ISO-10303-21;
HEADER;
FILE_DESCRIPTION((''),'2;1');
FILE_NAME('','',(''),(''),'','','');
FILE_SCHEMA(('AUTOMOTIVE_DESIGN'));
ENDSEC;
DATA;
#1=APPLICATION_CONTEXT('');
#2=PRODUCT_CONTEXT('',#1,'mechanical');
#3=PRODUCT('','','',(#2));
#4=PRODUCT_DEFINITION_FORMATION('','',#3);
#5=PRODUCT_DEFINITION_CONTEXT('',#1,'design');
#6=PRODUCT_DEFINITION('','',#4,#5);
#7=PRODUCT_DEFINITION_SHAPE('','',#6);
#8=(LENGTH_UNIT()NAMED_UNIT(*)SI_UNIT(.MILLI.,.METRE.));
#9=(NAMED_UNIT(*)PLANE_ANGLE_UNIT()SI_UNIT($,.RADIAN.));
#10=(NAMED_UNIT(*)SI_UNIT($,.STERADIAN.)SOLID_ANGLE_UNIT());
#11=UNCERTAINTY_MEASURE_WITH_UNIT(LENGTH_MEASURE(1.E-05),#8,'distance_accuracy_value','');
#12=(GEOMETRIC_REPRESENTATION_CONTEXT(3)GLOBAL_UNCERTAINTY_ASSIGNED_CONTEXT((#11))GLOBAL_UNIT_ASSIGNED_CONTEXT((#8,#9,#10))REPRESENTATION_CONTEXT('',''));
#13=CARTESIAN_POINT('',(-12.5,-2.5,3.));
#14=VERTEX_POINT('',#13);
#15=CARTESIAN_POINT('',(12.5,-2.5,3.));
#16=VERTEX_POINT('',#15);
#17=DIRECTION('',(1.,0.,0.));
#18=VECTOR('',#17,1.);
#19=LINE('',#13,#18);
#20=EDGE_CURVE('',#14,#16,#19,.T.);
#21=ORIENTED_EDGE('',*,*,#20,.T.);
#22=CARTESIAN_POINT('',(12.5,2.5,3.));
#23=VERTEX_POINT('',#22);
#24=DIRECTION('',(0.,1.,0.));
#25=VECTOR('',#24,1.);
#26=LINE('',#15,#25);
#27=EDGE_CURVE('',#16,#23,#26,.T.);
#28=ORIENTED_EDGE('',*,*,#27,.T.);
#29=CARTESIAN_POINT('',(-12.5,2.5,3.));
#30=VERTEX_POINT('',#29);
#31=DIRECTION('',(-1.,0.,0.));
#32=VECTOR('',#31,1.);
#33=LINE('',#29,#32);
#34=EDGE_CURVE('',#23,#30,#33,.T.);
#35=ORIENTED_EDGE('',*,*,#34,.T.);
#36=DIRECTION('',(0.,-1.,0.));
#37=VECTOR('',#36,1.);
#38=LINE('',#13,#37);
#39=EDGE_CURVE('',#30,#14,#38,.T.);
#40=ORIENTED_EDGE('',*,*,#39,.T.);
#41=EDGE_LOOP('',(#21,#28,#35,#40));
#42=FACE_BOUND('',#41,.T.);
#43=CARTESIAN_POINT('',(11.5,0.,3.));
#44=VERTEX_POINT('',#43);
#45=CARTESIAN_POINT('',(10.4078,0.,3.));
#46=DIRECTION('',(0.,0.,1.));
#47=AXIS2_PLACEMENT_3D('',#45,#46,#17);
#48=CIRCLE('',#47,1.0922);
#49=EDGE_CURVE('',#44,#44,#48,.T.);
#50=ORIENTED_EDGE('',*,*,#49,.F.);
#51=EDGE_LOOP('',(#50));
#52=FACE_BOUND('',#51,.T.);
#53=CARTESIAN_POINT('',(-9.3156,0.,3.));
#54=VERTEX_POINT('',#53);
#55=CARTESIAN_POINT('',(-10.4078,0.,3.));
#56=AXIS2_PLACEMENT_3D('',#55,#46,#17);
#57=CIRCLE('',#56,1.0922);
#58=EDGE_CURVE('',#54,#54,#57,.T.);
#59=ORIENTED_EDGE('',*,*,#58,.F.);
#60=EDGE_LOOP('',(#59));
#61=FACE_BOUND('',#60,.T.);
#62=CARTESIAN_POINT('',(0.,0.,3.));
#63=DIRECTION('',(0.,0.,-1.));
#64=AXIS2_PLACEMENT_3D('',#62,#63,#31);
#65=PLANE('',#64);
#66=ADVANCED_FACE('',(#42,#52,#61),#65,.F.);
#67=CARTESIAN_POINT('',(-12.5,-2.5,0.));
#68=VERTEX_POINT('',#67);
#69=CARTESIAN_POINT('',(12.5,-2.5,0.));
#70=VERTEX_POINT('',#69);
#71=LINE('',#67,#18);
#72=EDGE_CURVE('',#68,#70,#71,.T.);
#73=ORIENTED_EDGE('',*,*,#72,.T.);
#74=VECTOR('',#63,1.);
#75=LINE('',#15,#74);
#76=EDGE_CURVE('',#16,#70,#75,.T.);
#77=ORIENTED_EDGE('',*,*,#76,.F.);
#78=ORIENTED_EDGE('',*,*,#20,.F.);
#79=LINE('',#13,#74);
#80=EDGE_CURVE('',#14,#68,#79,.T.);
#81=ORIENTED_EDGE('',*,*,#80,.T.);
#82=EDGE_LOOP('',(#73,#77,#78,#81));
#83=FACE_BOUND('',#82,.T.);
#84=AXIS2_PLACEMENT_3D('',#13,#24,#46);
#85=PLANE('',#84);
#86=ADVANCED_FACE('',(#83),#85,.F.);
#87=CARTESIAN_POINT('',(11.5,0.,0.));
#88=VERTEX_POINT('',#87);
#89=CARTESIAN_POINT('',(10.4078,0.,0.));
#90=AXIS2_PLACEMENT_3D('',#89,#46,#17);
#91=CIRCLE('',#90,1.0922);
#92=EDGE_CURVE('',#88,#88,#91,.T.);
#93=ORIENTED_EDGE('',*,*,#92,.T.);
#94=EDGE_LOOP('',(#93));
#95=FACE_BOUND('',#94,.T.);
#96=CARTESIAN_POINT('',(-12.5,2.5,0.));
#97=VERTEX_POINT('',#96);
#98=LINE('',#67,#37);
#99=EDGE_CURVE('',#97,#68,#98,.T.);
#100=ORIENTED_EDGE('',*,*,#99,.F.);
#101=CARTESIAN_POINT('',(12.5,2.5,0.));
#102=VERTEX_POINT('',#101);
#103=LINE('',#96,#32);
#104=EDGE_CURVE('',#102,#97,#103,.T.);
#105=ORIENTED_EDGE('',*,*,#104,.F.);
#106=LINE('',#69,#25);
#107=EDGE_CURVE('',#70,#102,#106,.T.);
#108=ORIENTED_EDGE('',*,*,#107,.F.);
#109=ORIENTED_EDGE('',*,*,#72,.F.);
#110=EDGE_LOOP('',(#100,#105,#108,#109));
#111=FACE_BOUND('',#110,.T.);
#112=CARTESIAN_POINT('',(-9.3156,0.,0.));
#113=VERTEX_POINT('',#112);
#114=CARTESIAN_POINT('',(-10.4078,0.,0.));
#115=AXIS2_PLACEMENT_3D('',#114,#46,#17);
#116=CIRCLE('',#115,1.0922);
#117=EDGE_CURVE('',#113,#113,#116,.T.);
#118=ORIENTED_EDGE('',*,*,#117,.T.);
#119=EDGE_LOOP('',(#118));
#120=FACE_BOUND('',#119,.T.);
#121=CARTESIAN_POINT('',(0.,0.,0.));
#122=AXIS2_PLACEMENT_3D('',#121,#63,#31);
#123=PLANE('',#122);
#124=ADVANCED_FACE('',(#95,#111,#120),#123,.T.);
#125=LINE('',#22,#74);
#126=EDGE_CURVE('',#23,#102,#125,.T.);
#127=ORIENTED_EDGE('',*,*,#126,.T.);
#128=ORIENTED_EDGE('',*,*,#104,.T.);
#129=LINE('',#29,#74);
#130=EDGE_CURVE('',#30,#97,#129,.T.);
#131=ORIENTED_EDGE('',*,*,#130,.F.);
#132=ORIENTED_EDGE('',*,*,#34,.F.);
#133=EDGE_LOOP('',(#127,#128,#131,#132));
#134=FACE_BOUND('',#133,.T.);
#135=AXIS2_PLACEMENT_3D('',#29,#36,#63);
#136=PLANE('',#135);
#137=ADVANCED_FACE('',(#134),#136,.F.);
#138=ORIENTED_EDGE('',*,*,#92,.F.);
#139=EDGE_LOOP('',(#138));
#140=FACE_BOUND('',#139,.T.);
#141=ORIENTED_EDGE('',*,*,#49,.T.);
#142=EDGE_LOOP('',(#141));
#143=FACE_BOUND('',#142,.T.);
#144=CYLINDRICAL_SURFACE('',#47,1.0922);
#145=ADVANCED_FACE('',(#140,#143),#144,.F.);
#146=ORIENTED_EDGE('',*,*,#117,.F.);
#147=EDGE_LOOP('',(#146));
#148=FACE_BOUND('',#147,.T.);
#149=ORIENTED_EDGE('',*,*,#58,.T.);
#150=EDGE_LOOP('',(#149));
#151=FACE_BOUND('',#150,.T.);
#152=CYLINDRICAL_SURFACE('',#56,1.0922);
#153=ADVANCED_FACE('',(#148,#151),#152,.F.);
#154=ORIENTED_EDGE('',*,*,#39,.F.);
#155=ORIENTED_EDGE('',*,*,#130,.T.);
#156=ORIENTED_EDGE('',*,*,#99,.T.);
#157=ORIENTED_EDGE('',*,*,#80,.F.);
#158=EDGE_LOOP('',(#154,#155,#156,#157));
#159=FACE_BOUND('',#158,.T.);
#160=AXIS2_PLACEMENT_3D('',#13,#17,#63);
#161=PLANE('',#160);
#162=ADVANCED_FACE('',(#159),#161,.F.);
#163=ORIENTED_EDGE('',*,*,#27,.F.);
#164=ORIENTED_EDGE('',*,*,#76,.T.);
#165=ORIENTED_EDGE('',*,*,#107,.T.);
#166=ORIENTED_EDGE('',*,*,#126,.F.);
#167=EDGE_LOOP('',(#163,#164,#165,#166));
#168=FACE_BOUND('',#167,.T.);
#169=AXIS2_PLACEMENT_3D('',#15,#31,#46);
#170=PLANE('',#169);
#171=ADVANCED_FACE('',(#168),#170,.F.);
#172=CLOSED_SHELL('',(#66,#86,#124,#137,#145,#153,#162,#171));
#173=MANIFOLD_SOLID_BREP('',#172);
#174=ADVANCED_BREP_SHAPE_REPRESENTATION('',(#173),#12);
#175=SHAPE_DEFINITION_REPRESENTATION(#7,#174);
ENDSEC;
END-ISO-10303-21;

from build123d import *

# Parameters (mm, degrees)
SKETCH2_W                   = 25
SKETCH2_H                   = 5
BOSS_EXTRUDE1_DEPTH         = 3
F_44_0_086_DIAMETER_HOLE1_D = 2.1844


with BuildPart() as part:
    # Sketch2 → Boss-Extrude1 (new body)
    with BuildSketch(Plane.XY):
        Rectangle(SKETCH2_W, SKETCH2_H)
    extrude(amount=BOSS_EXTRUDE1_DEPTH)

    # #44 (0.086) Diameter Hole1 (through all)
    with Locations(Plane(origin=(-10.4078, 0, 3), x_dir=(1, 0, 0), z_dir=(0, 0, 1))):
        with Locations((0, 0), (20.8156, 0)):
            Hole(F_44_0_086_DIAMETER_HOLE1_D / 2)


solid = part.part
